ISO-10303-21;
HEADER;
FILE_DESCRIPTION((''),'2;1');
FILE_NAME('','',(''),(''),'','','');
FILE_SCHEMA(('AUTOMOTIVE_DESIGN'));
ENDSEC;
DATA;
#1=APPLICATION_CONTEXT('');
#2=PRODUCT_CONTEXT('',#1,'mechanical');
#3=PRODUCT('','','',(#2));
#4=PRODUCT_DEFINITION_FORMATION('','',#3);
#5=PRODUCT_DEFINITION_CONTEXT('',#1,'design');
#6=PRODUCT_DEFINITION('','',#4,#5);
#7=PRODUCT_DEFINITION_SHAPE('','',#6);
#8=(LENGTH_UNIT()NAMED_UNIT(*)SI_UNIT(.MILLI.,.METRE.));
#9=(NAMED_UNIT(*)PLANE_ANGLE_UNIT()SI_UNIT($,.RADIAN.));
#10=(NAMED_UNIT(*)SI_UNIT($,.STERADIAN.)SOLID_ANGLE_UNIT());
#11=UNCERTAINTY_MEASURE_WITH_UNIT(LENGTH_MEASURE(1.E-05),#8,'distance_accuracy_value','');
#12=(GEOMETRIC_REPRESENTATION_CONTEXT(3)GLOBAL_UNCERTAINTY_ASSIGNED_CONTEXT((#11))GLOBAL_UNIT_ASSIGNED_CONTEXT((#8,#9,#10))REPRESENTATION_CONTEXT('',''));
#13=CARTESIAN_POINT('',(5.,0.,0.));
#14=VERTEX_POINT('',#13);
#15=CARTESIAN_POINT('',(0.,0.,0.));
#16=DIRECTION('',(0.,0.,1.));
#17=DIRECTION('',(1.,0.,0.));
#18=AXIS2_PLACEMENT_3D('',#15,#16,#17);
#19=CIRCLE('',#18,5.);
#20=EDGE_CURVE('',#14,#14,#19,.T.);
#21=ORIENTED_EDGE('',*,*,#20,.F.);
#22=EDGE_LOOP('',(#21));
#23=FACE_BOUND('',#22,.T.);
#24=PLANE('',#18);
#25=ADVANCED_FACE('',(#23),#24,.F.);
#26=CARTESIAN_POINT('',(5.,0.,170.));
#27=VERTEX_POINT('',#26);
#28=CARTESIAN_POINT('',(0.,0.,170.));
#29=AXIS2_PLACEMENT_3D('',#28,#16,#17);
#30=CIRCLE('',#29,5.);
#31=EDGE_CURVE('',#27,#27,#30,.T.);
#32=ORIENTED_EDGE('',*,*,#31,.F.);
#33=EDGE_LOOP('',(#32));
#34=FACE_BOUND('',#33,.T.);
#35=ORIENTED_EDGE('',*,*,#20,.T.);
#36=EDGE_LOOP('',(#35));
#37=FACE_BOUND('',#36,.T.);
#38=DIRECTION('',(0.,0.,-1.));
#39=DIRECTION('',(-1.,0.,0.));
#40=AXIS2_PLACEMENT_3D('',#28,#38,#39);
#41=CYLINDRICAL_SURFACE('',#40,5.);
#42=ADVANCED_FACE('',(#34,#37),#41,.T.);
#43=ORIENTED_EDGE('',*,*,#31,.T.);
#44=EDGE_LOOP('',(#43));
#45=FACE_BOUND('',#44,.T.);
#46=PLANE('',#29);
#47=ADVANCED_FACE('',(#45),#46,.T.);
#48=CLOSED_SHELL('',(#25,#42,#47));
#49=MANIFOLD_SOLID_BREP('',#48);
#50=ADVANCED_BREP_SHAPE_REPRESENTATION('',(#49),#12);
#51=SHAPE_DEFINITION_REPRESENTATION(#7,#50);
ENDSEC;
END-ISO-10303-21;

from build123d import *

# Parameters (mm, degrees)
SKETCH1_R           = 5
BOSS_EXTRUDE1_DEPTH = 170


with BuildPart() as part:
    # Sketch1 → Boss-Extrude1 (new body)
    with BuildSketch(Plane.XY):
        Circle(SKETCH1_R)
    extrude(amount=BOSS_EXTRUDE1_DEPTH)


solid = part.part
